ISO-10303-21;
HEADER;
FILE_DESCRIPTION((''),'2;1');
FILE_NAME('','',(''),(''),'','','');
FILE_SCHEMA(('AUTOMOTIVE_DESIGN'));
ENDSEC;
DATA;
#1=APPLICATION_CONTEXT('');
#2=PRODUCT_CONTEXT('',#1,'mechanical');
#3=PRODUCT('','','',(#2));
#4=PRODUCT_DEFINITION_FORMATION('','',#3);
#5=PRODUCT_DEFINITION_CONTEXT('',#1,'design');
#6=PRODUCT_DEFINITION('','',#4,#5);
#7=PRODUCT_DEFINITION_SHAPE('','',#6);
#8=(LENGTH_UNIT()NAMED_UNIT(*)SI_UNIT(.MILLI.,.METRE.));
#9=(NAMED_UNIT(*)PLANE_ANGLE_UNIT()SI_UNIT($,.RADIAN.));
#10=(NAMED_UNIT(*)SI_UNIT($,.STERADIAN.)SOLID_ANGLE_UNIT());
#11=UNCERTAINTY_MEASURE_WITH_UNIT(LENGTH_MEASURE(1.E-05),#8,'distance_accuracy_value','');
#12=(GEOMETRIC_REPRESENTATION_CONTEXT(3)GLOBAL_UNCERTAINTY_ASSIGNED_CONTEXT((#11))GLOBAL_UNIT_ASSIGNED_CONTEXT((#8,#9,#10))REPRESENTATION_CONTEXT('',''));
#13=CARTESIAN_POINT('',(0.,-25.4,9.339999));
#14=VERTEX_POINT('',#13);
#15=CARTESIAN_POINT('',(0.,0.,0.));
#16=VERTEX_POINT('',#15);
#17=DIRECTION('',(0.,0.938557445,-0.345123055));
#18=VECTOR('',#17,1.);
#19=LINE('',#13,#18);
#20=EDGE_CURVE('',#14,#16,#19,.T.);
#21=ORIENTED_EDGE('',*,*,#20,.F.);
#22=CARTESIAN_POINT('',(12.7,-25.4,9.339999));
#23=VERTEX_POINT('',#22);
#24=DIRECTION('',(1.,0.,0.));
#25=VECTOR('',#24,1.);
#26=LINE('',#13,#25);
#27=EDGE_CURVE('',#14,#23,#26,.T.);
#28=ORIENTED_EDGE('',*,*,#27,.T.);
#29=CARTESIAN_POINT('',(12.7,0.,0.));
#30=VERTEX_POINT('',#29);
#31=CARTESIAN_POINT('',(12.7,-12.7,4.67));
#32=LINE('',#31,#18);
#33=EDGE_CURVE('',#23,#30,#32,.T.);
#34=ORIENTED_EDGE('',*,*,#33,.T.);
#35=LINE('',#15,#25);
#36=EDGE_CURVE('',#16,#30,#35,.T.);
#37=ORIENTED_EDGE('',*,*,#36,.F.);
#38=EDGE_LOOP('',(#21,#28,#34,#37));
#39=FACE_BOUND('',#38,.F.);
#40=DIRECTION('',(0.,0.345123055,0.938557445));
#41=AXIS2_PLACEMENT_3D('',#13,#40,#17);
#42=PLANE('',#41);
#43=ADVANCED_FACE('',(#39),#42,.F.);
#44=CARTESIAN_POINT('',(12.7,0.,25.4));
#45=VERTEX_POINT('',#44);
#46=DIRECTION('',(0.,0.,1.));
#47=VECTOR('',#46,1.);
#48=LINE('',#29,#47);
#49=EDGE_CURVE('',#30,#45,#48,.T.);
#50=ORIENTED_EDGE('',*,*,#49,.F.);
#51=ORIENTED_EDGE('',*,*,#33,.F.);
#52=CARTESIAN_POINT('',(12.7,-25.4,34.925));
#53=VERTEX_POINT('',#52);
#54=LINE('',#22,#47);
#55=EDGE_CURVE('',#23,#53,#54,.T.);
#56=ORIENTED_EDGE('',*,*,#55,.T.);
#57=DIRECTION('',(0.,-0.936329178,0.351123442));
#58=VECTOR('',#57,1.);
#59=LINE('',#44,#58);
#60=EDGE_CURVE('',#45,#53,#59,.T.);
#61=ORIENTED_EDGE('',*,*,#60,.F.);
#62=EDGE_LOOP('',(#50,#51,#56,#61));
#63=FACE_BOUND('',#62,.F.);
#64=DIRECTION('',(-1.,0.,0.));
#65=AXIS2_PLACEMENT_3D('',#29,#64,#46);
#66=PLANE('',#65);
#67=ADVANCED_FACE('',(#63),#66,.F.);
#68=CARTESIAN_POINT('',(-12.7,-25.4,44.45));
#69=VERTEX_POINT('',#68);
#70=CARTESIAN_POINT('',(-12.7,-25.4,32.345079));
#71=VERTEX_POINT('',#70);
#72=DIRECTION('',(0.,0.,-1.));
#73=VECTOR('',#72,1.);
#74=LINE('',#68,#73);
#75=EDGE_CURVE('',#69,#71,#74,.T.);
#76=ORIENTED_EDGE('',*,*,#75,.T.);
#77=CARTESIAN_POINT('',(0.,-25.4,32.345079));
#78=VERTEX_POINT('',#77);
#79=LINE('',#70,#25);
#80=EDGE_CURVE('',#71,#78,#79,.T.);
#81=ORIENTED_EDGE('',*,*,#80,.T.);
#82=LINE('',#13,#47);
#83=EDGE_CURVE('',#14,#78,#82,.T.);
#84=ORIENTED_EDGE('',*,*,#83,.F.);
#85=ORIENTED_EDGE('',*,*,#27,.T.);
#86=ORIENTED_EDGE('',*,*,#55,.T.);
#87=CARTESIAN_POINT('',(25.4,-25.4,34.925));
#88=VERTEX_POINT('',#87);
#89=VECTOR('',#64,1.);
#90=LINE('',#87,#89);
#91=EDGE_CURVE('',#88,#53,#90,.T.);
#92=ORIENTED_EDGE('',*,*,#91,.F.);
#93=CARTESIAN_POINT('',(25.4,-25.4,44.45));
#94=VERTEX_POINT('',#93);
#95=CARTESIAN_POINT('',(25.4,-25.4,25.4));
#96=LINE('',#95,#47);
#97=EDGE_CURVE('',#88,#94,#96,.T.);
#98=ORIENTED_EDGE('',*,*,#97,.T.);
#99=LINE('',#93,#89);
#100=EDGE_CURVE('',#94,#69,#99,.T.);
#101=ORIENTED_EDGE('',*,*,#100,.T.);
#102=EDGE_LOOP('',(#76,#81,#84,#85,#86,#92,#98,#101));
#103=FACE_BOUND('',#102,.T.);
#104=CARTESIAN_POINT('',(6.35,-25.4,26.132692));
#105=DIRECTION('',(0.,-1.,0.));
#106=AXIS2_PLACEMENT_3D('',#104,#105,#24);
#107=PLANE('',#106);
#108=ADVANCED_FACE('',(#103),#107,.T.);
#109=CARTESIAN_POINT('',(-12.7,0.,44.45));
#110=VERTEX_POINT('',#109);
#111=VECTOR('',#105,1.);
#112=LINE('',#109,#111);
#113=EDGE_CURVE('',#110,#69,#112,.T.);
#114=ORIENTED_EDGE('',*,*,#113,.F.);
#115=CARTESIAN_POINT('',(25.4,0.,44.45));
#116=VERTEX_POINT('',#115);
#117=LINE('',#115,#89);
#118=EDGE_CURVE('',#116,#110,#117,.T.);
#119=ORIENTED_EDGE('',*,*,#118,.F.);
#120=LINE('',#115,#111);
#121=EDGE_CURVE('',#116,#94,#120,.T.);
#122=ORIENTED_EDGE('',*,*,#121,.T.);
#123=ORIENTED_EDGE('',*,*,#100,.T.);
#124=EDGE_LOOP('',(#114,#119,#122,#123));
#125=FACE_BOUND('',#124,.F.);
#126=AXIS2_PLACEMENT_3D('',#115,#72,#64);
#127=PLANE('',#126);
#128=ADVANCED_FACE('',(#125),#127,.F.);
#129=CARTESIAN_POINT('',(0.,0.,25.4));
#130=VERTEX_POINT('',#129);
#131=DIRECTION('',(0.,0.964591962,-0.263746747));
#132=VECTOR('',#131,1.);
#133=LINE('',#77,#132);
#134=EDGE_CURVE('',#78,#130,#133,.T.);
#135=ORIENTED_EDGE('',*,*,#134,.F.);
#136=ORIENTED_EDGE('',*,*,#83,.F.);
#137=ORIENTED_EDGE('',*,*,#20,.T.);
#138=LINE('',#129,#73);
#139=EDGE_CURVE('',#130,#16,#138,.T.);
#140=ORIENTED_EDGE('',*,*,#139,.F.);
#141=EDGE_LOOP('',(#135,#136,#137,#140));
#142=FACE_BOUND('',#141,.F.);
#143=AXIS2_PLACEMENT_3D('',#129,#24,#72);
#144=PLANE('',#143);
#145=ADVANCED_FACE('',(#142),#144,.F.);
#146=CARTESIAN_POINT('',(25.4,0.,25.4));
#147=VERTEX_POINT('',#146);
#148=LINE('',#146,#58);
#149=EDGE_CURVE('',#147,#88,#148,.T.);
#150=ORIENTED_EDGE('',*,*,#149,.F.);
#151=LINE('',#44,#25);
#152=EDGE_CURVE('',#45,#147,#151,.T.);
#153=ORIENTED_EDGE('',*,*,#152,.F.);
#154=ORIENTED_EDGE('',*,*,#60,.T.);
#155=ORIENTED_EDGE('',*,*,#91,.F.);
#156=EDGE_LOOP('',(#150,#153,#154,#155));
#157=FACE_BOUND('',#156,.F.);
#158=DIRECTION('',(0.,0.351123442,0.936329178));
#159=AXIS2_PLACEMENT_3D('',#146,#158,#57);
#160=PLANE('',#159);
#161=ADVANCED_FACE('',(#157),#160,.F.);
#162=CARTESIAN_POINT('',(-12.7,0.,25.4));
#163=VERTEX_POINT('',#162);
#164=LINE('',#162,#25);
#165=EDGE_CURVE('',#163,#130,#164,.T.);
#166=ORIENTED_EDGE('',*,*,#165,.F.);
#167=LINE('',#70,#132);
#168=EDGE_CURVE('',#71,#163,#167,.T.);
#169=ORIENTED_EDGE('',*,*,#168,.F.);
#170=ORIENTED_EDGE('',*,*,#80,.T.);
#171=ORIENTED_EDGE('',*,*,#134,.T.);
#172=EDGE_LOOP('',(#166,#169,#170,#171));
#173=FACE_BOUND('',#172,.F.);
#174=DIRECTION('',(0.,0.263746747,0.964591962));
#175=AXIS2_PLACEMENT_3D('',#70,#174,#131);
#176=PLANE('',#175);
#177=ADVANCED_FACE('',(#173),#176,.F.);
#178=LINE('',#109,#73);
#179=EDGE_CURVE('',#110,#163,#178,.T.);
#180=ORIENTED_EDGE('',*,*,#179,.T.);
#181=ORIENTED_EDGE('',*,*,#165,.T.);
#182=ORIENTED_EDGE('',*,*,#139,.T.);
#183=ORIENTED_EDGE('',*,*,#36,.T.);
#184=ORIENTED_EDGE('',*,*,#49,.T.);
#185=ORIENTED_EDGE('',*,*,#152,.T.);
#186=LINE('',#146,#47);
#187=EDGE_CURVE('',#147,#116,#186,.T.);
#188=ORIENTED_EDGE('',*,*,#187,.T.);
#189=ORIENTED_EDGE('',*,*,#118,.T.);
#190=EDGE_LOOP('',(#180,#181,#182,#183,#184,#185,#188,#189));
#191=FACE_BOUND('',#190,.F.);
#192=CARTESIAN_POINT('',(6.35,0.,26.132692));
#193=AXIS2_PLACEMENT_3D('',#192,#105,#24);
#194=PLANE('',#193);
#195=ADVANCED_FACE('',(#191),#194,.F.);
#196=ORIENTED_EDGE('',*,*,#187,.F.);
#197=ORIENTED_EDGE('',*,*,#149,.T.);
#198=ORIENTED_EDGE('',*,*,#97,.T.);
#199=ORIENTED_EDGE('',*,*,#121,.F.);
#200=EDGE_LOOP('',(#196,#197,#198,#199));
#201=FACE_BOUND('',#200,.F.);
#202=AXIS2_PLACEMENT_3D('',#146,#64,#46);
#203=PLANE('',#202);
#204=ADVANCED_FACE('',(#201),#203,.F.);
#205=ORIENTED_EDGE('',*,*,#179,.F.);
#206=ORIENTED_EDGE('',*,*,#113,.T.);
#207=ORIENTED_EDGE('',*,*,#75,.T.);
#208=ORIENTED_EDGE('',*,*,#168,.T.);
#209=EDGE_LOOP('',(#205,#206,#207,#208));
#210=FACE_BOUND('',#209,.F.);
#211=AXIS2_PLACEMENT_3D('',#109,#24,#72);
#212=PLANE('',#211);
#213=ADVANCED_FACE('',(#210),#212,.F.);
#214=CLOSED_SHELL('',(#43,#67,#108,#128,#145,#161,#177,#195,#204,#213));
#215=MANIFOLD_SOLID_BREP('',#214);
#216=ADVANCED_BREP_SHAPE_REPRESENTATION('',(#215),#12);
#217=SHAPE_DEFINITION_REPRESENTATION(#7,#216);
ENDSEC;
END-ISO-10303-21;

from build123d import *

# Parameters (mm, degrees)
F1_DEPTH = 25.4
F3_DEPTH = 25.4
F5_DEPTH = 12.7
F7_DEPTH = 12.7


with BuildPart() as f1:
    # F0 (on Front) → F1 (new body)
    with BuildSketch(Plane.XZ):
        Polygon((-12.7, 25.4), (0, 25.4), (0, 0), (12.7, 0), (12.7, 25.4), (25.4, 25.4), (25.4, 44.45), (-12.7, 44.45), align=None)
    extrude(amount=F1_DEPTH)

    # F2 (on face) → F3 (cut)
    with BuildSketch(Plane(origin=(0, 0, 0), x_dir=(0, -1, 0), z_dir=(-1, 0, 0))):
        Polygon((25.4, 9.339999), (0, 0), (25.4, 0), align=None)
    extrude(amount=-F3_DEPTH, mode=Mode.SUBTRACT)

    # F4 (on face) → F5 (cut)
    with BuildSketch(Plane(origin=(-12.7, 0, 0), x_dir=(0, -1, 0), z_dir=(-1, 0, 0))):
        Polygon((25.4, 25.4), (25.4, 32.345079), (0, 25.4), align=None)
    extrude(amount=-F5_DEPTH, mode=Mode.SUBTRACT)

    # F6 (on face) → F7 (cut)
    with BuildSketch(Plane.YZ.offset(25.4)):
        Polygon((-25.4, 25.4), (0, 25.4), (-25.4, 34.925), align=None)
    extrude(amount=-F7_DEPTH, mode=Mode.SUBTRACT)


solid = f1.part
